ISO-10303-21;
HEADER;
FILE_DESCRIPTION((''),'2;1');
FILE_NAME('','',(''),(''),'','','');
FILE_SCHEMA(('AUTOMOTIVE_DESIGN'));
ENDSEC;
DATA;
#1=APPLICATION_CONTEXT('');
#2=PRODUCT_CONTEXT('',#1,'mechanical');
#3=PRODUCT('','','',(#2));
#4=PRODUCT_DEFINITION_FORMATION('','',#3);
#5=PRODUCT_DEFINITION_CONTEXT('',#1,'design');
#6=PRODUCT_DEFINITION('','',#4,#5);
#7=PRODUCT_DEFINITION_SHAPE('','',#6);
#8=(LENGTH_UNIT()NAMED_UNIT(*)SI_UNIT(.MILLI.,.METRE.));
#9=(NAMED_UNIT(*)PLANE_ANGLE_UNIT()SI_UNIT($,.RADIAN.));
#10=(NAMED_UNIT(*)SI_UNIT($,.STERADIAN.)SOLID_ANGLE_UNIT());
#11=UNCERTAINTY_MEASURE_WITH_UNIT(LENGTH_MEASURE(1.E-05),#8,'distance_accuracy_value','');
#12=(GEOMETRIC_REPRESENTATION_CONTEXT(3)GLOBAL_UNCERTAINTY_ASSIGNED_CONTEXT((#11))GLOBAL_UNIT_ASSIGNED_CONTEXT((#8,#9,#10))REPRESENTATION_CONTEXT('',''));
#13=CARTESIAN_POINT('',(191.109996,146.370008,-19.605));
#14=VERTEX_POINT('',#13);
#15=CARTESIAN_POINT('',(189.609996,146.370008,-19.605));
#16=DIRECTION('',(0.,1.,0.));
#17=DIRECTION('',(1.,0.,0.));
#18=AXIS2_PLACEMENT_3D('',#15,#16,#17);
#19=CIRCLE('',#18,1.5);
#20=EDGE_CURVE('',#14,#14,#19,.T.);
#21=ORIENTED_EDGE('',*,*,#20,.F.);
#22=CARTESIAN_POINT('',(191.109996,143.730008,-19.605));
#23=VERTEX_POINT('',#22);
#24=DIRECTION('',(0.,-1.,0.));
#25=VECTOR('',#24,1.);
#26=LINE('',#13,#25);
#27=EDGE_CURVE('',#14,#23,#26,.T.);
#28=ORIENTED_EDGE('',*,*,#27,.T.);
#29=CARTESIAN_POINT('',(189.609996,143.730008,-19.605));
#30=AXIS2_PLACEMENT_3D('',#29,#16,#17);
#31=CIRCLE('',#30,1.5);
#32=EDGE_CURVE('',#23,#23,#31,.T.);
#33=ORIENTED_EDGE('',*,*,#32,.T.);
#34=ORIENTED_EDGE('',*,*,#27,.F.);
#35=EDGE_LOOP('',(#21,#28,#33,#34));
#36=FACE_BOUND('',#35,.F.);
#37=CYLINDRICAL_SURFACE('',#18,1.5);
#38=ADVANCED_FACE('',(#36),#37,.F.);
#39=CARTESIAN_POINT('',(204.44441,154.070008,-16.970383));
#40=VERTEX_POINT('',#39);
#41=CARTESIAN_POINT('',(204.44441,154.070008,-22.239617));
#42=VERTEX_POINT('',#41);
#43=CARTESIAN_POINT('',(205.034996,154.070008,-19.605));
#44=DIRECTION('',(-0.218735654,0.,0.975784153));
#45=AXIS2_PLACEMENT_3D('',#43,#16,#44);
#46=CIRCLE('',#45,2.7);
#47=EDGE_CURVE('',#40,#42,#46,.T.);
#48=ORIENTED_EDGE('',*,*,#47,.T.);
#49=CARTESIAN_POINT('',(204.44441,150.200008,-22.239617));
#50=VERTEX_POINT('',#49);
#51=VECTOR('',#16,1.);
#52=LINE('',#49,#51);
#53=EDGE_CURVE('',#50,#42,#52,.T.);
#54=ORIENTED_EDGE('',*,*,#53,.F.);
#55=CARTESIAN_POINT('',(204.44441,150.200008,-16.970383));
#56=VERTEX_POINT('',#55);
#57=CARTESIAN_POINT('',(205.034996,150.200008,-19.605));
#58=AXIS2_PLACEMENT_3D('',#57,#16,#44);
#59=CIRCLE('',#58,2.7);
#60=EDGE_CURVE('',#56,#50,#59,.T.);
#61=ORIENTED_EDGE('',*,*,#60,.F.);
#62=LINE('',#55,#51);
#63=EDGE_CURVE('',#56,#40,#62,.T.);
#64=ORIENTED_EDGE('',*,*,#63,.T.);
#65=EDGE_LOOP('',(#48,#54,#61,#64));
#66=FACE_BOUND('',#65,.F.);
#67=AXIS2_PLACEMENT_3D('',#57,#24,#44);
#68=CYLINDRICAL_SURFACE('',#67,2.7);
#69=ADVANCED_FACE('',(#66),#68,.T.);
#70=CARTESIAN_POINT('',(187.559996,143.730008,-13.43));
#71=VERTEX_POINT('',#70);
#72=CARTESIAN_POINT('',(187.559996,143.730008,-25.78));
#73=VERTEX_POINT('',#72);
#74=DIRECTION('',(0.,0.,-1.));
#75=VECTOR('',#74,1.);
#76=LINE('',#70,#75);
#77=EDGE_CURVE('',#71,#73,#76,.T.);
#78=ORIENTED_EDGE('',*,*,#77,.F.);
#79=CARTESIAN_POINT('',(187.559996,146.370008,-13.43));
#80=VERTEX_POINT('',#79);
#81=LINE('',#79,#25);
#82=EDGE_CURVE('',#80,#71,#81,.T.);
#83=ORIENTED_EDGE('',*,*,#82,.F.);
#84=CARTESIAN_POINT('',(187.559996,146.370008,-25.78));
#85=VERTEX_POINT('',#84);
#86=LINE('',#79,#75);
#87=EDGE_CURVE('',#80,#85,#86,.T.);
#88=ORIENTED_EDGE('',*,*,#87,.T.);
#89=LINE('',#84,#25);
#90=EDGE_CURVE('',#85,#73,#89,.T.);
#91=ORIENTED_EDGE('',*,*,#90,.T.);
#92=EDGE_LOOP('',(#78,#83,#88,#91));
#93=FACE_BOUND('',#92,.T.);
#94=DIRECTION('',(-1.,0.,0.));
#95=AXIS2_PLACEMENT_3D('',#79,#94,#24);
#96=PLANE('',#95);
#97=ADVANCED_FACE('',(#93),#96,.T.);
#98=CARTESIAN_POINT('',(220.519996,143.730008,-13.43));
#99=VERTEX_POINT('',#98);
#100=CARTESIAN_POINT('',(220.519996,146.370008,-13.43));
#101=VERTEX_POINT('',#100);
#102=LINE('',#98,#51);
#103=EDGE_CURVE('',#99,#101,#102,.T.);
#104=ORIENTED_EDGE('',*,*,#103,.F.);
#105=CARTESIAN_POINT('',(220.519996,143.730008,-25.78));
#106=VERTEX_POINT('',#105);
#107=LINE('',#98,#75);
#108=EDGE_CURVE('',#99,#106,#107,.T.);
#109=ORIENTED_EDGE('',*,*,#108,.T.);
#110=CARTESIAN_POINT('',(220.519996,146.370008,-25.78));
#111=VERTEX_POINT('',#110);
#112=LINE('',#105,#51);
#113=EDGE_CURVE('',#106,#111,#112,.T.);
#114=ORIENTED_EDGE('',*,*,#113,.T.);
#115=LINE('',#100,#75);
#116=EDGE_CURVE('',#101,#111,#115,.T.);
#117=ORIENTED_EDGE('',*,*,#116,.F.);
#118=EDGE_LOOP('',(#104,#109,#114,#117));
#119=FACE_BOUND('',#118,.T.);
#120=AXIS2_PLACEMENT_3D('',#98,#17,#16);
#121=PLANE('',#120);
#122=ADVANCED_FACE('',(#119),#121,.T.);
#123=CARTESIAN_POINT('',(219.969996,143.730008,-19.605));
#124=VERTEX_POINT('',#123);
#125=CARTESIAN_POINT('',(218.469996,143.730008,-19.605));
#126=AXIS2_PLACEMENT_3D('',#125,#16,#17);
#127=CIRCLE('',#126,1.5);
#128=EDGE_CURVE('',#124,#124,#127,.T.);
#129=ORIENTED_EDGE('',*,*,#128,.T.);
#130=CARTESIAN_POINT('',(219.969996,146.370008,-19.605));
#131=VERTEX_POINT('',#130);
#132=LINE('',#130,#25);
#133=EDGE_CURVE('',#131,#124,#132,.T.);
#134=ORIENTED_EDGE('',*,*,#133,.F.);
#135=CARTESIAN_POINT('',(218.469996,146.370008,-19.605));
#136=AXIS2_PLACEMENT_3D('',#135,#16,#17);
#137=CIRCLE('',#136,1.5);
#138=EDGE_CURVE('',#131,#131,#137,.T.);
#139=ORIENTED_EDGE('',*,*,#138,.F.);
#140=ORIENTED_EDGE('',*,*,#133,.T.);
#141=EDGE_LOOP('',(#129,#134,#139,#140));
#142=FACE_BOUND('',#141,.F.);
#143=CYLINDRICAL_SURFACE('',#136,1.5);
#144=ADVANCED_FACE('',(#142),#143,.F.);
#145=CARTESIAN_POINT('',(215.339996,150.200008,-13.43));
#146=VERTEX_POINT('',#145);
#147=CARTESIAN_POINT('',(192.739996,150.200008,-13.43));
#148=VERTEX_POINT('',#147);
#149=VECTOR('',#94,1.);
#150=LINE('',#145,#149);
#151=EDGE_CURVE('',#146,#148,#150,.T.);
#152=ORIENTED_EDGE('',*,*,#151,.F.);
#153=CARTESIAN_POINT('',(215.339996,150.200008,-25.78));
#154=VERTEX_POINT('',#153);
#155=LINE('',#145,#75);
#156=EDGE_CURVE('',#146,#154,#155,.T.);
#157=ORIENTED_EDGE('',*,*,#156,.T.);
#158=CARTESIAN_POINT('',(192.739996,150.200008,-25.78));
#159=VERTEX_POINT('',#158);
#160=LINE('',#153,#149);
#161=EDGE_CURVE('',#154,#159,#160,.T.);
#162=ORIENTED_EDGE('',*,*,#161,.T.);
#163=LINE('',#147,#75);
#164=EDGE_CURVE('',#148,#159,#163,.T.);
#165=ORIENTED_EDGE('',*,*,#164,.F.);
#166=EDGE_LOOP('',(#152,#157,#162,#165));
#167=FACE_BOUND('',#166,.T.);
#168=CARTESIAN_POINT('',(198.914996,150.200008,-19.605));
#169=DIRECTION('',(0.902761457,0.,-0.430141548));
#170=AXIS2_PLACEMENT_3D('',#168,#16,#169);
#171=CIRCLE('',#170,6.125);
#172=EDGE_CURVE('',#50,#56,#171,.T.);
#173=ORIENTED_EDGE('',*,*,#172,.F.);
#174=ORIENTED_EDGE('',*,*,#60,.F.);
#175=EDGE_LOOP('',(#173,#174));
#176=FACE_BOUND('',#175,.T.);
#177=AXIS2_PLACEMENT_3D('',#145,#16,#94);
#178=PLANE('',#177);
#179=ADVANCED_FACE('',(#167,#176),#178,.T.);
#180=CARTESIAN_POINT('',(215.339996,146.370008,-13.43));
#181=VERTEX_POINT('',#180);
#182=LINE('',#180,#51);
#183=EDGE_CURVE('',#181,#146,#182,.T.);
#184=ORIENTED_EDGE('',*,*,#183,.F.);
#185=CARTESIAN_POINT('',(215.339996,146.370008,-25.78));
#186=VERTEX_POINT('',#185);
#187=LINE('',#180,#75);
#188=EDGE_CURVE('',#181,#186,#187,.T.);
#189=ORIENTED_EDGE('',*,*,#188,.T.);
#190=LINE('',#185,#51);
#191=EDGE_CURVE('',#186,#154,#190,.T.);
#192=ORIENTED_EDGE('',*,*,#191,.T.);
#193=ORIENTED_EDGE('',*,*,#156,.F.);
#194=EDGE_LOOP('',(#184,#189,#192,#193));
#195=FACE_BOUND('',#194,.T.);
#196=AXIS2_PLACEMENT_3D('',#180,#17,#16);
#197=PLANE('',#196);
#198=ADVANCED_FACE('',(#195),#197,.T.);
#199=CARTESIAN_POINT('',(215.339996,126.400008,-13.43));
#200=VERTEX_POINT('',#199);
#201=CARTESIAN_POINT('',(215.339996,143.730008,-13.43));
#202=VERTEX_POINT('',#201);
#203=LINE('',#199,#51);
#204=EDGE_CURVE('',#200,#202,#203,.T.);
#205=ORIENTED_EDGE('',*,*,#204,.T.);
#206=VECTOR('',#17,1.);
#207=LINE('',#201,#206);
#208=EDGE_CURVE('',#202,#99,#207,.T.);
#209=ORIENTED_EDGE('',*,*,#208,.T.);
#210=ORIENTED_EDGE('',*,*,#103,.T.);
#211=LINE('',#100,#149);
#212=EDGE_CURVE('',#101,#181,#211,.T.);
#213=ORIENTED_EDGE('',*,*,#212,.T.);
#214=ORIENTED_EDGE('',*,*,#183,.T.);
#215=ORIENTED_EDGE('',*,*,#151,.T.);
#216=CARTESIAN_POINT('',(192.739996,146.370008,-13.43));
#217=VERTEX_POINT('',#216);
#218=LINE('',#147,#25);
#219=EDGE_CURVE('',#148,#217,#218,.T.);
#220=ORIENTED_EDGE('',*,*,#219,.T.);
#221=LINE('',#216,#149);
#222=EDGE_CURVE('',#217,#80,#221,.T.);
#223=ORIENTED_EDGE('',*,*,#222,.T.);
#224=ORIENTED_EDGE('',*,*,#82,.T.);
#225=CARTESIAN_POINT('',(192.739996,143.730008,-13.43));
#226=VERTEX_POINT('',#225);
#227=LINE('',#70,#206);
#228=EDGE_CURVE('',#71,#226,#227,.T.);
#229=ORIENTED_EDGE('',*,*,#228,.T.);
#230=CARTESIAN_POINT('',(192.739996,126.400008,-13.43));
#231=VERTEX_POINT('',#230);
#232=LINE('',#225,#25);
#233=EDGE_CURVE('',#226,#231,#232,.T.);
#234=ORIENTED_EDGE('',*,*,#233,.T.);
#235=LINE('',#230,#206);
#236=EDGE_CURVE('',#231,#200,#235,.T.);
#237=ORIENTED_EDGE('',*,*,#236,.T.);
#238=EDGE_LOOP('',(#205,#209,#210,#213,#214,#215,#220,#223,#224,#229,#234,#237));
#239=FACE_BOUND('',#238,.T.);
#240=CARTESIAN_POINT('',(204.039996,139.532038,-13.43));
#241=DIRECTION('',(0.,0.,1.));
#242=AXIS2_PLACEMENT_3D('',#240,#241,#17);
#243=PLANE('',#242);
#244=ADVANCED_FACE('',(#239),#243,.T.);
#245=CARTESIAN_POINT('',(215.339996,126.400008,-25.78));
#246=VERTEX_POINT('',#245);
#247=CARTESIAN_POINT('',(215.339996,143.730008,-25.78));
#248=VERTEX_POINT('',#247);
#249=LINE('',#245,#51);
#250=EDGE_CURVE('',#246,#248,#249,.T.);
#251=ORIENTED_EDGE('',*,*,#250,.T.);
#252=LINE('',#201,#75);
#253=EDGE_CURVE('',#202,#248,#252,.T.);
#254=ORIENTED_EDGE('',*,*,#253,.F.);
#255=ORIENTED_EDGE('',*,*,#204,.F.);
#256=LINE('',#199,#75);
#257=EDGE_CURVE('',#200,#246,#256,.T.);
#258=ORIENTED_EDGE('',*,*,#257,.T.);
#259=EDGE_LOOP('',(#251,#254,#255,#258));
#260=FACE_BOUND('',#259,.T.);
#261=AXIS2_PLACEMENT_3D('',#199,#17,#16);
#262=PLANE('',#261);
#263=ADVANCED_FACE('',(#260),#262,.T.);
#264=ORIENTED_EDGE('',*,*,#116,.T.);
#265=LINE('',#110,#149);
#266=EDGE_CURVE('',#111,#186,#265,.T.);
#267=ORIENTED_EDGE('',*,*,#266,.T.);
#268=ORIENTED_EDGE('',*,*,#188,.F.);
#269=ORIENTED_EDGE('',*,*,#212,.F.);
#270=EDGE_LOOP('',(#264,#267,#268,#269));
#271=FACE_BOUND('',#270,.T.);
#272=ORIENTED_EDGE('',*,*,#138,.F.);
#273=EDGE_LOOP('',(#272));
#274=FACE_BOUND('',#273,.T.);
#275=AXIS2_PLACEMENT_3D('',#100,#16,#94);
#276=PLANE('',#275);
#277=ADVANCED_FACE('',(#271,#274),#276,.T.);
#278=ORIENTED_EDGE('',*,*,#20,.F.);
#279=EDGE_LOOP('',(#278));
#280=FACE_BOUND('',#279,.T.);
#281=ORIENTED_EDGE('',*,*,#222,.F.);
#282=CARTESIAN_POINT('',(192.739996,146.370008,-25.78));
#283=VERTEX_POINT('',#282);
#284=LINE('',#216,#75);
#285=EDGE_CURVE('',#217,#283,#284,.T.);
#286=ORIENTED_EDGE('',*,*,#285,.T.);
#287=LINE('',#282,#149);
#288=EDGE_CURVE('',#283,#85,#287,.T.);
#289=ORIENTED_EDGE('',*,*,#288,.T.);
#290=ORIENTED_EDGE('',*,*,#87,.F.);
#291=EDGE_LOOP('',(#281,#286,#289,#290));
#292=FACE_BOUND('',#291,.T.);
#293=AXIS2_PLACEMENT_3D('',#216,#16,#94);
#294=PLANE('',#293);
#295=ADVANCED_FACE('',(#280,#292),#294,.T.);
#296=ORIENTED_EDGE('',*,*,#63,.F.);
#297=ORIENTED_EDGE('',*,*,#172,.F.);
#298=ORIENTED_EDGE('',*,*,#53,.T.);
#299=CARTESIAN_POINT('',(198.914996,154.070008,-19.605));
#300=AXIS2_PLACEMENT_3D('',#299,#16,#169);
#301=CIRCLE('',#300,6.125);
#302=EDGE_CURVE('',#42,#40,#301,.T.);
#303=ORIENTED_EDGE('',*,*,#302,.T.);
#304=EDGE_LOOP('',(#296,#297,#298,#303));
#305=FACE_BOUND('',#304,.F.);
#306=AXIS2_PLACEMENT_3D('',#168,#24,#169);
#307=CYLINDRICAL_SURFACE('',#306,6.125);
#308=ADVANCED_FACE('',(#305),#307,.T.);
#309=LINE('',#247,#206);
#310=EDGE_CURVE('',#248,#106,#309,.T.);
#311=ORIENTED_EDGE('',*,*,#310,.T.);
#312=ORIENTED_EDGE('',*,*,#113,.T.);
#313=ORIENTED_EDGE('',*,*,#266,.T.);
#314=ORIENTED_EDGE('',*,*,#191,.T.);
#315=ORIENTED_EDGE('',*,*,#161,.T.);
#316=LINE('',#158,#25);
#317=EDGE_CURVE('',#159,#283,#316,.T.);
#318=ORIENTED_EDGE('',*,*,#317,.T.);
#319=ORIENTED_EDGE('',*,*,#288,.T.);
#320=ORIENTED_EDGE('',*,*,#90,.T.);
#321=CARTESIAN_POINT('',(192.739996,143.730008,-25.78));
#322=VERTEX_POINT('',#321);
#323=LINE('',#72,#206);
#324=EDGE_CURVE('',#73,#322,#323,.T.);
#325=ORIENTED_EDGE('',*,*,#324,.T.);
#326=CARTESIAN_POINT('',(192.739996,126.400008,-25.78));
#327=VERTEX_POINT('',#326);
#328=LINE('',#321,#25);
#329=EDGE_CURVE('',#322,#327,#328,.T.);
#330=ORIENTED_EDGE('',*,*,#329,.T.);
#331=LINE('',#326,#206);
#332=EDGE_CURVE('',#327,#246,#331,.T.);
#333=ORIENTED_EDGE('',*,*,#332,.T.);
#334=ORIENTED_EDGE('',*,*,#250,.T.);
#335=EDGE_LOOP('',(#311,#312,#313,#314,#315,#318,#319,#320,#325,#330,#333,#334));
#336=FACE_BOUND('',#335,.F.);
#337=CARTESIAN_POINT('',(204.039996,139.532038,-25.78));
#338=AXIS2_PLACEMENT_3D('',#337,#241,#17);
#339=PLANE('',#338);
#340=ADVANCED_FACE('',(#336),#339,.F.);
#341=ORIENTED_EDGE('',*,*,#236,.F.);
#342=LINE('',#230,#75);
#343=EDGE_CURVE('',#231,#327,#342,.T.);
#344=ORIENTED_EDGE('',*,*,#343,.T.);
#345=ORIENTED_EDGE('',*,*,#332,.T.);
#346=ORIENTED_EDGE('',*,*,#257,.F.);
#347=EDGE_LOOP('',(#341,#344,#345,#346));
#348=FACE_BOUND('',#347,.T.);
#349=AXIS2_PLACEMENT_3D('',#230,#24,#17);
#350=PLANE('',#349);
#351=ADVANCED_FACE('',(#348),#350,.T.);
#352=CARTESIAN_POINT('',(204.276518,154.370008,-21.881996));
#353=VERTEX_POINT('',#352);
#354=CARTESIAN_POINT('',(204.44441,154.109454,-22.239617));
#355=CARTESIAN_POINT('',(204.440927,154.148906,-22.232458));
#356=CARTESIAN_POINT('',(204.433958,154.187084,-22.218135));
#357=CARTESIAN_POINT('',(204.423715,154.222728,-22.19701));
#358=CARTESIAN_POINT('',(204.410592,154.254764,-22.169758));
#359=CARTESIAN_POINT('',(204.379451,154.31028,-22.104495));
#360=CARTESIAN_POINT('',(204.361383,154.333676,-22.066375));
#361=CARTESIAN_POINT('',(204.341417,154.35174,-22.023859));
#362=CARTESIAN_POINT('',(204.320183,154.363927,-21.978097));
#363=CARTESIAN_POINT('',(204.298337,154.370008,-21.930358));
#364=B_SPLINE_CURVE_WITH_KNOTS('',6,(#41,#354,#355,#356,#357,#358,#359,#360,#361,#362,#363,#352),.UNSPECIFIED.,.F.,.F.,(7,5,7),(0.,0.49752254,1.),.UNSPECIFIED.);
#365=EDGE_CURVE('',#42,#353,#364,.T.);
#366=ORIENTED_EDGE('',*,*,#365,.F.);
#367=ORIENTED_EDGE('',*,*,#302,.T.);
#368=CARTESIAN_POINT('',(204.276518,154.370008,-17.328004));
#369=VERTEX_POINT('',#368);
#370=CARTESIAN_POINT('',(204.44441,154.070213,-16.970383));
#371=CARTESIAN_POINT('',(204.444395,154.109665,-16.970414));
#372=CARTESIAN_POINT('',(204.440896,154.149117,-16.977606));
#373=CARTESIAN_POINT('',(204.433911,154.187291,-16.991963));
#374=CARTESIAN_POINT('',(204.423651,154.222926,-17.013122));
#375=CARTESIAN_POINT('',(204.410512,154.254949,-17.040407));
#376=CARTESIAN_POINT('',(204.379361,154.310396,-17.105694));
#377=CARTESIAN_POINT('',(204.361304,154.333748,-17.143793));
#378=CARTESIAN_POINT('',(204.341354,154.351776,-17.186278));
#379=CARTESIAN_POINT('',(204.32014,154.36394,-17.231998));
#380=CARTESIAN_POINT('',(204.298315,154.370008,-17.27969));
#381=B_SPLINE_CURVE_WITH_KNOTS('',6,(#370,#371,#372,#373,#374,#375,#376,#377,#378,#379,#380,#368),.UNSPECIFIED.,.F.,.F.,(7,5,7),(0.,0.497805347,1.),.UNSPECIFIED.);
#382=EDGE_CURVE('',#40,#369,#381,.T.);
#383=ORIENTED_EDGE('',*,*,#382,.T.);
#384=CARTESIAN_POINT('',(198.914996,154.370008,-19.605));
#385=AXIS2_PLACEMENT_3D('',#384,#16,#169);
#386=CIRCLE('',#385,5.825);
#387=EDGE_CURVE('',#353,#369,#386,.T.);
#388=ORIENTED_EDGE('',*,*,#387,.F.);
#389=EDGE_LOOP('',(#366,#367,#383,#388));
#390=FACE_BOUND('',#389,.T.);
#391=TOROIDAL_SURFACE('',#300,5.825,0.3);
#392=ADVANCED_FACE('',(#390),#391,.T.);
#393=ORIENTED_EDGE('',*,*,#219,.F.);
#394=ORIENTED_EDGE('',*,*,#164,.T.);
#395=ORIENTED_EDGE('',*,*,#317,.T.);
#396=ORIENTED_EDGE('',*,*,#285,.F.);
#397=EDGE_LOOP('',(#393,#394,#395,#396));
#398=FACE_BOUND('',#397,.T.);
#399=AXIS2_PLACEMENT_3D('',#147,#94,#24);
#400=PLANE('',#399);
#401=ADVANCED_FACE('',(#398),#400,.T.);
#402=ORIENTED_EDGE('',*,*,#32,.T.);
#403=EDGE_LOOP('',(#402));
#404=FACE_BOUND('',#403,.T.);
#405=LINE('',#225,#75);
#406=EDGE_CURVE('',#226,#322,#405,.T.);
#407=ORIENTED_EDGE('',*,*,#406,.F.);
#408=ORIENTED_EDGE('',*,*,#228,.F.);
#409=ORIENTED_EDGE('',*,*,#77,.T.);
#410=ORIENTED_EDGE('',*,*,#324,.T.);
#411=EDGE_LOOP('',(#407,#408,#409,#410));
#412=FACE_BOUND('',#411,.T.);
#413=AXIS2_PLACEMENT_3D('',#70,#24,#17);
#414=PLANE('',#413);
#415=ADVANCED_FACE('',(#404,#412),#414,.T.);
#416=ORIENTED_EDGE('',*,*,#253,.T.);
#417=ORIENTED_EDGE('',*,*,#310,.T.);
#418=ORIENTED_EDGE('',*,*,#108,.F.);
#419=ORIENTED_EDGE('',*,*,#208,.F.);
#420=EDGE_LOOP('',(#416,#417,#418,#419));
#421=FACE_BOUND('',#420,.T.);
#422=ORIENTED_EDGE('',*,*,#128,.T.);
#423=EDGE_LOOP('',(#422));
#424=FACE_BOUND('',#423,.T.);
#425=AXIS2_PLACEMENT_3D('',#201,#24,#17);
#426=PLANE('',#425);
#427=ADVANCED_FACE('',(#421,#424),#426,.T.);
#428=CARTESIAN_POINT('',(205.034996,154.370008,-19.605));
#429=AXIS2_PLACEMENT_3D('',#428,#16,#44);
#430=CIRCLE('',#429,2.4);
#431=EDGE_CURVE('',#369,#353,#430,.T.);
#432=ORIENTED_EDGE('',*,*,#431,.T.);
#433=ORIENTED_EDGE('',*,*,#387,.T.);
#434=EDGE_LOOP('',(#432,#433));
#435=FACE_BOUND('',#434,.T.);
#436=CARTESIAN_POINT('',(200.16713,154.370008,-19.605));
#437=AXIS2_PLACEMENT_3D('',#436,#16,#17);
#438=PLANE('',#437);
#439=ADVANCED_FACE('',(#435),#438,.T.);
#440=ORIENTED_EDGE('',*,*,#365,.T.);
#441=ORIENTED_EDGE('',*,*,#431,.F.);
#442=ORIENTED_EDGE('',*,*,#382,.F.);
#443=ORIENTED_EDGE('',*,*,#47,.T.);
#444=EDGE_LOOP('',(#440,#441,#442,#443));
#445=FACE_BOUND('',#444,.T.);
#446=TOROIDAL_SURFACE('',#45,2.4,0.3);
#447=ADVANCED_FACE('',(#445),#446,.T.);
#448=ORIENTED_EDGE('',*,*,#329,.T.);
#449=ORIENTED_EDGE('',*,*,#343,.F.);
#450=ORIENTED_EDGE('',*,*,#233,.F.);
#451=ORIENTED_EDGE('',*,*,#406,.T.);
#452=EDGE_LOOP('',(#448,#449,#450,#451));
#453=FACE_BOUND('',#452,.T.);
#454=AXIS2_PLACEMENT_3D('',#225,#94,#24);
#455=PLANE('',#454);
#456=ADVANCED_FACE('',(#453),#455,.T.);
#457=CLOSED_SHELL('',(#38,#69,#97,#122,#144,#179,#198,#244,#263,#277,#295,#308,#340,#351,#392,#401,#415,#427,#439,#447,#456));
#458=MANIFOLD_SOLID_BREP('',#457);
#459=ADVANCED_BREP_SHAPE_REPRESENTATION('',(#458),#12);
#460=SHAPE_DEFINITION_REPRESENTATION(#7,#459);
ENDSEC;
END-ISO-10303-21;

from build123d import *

# Parameters (mm, degrees)
PAD018_DEPTH            = 12.35
PAD019_DEPTH            = 4.17
SKETCH036_R             = 1.5
POCKET011_DEPTH         = 5
FILLET014_R             = 0.3
BODY008_PLACEMENT_ANGLE = 180


with BuildPart() as part:
    # Sketch034 → Pad018 (new body)
    with BuildSketch(Plane.XY):
        Polygon((0, 23.8), (22.6, 23.8), (22.6, 19.97), (27.78, 19.97), (27.78, 17.33), (22.6, 17.33), (22.6, 0), (0, 0), (0, 17.33), (-5.18, 17.33), (-5.18, 19.97), (0, 19.97), align=None)
    extrude(amount=PAD018_DEPTH)

    # Sketch035 (on Face4 of Pad018) → Pad019 (join)
    with BuildSketch(Plane(origin=(0, 23.8, 0), x_dir=(-1, 0, 0), z_dir=(0, 1, 0))):
        with BuildLine():
            ThreePointArc((-10.895586, 8.809617), (-22.55, 6.175), (-10.895586, 3.540383))
            ThreePointArc((-10.895586, 3.540383), (-7.605, 6.175), (-10.895586, 8.809617))
        make_face()
    extrude(amount=PAD019_DEPTH)

    # Sketch036 (on Face10 of Pad019) → Pocket011 (cut)
    with BuildSketch(Plane(origin=(0, 19.97, 0), x_dir=(-1, 0, 0), z_dir=(0, 1, 0))):
        with Locations((-25.73, 6.175)):
            Circle(SKETCH036_R)
        with Locations((3.13, 6.175)):
            Circle(SKETCH036_R)
    extrude(amount=-POCKET011_DEPTH, mode=Mode.SUBTRACT)

    # Fillet014
    fillet014_edges = [part.edges().sort_by_distance(p)[0] for p in [
        (22.55, 27.97, 6.175),
        (7.605, 27.97, 6.175),
    ]]
    fillet(fillet014_edges, radius=FILLET014_R)


with BuildPart() as part_1:
    # Body008 placement: moved
    add(part.part.moved(Location((215.339996, 126.400008, -13.43))).rotate(Axis((215.339996, 126.400008, -13.43), (0, 1, 0)), BODY008_PLACEMENT_ANGLE))


solid = part_1.part
